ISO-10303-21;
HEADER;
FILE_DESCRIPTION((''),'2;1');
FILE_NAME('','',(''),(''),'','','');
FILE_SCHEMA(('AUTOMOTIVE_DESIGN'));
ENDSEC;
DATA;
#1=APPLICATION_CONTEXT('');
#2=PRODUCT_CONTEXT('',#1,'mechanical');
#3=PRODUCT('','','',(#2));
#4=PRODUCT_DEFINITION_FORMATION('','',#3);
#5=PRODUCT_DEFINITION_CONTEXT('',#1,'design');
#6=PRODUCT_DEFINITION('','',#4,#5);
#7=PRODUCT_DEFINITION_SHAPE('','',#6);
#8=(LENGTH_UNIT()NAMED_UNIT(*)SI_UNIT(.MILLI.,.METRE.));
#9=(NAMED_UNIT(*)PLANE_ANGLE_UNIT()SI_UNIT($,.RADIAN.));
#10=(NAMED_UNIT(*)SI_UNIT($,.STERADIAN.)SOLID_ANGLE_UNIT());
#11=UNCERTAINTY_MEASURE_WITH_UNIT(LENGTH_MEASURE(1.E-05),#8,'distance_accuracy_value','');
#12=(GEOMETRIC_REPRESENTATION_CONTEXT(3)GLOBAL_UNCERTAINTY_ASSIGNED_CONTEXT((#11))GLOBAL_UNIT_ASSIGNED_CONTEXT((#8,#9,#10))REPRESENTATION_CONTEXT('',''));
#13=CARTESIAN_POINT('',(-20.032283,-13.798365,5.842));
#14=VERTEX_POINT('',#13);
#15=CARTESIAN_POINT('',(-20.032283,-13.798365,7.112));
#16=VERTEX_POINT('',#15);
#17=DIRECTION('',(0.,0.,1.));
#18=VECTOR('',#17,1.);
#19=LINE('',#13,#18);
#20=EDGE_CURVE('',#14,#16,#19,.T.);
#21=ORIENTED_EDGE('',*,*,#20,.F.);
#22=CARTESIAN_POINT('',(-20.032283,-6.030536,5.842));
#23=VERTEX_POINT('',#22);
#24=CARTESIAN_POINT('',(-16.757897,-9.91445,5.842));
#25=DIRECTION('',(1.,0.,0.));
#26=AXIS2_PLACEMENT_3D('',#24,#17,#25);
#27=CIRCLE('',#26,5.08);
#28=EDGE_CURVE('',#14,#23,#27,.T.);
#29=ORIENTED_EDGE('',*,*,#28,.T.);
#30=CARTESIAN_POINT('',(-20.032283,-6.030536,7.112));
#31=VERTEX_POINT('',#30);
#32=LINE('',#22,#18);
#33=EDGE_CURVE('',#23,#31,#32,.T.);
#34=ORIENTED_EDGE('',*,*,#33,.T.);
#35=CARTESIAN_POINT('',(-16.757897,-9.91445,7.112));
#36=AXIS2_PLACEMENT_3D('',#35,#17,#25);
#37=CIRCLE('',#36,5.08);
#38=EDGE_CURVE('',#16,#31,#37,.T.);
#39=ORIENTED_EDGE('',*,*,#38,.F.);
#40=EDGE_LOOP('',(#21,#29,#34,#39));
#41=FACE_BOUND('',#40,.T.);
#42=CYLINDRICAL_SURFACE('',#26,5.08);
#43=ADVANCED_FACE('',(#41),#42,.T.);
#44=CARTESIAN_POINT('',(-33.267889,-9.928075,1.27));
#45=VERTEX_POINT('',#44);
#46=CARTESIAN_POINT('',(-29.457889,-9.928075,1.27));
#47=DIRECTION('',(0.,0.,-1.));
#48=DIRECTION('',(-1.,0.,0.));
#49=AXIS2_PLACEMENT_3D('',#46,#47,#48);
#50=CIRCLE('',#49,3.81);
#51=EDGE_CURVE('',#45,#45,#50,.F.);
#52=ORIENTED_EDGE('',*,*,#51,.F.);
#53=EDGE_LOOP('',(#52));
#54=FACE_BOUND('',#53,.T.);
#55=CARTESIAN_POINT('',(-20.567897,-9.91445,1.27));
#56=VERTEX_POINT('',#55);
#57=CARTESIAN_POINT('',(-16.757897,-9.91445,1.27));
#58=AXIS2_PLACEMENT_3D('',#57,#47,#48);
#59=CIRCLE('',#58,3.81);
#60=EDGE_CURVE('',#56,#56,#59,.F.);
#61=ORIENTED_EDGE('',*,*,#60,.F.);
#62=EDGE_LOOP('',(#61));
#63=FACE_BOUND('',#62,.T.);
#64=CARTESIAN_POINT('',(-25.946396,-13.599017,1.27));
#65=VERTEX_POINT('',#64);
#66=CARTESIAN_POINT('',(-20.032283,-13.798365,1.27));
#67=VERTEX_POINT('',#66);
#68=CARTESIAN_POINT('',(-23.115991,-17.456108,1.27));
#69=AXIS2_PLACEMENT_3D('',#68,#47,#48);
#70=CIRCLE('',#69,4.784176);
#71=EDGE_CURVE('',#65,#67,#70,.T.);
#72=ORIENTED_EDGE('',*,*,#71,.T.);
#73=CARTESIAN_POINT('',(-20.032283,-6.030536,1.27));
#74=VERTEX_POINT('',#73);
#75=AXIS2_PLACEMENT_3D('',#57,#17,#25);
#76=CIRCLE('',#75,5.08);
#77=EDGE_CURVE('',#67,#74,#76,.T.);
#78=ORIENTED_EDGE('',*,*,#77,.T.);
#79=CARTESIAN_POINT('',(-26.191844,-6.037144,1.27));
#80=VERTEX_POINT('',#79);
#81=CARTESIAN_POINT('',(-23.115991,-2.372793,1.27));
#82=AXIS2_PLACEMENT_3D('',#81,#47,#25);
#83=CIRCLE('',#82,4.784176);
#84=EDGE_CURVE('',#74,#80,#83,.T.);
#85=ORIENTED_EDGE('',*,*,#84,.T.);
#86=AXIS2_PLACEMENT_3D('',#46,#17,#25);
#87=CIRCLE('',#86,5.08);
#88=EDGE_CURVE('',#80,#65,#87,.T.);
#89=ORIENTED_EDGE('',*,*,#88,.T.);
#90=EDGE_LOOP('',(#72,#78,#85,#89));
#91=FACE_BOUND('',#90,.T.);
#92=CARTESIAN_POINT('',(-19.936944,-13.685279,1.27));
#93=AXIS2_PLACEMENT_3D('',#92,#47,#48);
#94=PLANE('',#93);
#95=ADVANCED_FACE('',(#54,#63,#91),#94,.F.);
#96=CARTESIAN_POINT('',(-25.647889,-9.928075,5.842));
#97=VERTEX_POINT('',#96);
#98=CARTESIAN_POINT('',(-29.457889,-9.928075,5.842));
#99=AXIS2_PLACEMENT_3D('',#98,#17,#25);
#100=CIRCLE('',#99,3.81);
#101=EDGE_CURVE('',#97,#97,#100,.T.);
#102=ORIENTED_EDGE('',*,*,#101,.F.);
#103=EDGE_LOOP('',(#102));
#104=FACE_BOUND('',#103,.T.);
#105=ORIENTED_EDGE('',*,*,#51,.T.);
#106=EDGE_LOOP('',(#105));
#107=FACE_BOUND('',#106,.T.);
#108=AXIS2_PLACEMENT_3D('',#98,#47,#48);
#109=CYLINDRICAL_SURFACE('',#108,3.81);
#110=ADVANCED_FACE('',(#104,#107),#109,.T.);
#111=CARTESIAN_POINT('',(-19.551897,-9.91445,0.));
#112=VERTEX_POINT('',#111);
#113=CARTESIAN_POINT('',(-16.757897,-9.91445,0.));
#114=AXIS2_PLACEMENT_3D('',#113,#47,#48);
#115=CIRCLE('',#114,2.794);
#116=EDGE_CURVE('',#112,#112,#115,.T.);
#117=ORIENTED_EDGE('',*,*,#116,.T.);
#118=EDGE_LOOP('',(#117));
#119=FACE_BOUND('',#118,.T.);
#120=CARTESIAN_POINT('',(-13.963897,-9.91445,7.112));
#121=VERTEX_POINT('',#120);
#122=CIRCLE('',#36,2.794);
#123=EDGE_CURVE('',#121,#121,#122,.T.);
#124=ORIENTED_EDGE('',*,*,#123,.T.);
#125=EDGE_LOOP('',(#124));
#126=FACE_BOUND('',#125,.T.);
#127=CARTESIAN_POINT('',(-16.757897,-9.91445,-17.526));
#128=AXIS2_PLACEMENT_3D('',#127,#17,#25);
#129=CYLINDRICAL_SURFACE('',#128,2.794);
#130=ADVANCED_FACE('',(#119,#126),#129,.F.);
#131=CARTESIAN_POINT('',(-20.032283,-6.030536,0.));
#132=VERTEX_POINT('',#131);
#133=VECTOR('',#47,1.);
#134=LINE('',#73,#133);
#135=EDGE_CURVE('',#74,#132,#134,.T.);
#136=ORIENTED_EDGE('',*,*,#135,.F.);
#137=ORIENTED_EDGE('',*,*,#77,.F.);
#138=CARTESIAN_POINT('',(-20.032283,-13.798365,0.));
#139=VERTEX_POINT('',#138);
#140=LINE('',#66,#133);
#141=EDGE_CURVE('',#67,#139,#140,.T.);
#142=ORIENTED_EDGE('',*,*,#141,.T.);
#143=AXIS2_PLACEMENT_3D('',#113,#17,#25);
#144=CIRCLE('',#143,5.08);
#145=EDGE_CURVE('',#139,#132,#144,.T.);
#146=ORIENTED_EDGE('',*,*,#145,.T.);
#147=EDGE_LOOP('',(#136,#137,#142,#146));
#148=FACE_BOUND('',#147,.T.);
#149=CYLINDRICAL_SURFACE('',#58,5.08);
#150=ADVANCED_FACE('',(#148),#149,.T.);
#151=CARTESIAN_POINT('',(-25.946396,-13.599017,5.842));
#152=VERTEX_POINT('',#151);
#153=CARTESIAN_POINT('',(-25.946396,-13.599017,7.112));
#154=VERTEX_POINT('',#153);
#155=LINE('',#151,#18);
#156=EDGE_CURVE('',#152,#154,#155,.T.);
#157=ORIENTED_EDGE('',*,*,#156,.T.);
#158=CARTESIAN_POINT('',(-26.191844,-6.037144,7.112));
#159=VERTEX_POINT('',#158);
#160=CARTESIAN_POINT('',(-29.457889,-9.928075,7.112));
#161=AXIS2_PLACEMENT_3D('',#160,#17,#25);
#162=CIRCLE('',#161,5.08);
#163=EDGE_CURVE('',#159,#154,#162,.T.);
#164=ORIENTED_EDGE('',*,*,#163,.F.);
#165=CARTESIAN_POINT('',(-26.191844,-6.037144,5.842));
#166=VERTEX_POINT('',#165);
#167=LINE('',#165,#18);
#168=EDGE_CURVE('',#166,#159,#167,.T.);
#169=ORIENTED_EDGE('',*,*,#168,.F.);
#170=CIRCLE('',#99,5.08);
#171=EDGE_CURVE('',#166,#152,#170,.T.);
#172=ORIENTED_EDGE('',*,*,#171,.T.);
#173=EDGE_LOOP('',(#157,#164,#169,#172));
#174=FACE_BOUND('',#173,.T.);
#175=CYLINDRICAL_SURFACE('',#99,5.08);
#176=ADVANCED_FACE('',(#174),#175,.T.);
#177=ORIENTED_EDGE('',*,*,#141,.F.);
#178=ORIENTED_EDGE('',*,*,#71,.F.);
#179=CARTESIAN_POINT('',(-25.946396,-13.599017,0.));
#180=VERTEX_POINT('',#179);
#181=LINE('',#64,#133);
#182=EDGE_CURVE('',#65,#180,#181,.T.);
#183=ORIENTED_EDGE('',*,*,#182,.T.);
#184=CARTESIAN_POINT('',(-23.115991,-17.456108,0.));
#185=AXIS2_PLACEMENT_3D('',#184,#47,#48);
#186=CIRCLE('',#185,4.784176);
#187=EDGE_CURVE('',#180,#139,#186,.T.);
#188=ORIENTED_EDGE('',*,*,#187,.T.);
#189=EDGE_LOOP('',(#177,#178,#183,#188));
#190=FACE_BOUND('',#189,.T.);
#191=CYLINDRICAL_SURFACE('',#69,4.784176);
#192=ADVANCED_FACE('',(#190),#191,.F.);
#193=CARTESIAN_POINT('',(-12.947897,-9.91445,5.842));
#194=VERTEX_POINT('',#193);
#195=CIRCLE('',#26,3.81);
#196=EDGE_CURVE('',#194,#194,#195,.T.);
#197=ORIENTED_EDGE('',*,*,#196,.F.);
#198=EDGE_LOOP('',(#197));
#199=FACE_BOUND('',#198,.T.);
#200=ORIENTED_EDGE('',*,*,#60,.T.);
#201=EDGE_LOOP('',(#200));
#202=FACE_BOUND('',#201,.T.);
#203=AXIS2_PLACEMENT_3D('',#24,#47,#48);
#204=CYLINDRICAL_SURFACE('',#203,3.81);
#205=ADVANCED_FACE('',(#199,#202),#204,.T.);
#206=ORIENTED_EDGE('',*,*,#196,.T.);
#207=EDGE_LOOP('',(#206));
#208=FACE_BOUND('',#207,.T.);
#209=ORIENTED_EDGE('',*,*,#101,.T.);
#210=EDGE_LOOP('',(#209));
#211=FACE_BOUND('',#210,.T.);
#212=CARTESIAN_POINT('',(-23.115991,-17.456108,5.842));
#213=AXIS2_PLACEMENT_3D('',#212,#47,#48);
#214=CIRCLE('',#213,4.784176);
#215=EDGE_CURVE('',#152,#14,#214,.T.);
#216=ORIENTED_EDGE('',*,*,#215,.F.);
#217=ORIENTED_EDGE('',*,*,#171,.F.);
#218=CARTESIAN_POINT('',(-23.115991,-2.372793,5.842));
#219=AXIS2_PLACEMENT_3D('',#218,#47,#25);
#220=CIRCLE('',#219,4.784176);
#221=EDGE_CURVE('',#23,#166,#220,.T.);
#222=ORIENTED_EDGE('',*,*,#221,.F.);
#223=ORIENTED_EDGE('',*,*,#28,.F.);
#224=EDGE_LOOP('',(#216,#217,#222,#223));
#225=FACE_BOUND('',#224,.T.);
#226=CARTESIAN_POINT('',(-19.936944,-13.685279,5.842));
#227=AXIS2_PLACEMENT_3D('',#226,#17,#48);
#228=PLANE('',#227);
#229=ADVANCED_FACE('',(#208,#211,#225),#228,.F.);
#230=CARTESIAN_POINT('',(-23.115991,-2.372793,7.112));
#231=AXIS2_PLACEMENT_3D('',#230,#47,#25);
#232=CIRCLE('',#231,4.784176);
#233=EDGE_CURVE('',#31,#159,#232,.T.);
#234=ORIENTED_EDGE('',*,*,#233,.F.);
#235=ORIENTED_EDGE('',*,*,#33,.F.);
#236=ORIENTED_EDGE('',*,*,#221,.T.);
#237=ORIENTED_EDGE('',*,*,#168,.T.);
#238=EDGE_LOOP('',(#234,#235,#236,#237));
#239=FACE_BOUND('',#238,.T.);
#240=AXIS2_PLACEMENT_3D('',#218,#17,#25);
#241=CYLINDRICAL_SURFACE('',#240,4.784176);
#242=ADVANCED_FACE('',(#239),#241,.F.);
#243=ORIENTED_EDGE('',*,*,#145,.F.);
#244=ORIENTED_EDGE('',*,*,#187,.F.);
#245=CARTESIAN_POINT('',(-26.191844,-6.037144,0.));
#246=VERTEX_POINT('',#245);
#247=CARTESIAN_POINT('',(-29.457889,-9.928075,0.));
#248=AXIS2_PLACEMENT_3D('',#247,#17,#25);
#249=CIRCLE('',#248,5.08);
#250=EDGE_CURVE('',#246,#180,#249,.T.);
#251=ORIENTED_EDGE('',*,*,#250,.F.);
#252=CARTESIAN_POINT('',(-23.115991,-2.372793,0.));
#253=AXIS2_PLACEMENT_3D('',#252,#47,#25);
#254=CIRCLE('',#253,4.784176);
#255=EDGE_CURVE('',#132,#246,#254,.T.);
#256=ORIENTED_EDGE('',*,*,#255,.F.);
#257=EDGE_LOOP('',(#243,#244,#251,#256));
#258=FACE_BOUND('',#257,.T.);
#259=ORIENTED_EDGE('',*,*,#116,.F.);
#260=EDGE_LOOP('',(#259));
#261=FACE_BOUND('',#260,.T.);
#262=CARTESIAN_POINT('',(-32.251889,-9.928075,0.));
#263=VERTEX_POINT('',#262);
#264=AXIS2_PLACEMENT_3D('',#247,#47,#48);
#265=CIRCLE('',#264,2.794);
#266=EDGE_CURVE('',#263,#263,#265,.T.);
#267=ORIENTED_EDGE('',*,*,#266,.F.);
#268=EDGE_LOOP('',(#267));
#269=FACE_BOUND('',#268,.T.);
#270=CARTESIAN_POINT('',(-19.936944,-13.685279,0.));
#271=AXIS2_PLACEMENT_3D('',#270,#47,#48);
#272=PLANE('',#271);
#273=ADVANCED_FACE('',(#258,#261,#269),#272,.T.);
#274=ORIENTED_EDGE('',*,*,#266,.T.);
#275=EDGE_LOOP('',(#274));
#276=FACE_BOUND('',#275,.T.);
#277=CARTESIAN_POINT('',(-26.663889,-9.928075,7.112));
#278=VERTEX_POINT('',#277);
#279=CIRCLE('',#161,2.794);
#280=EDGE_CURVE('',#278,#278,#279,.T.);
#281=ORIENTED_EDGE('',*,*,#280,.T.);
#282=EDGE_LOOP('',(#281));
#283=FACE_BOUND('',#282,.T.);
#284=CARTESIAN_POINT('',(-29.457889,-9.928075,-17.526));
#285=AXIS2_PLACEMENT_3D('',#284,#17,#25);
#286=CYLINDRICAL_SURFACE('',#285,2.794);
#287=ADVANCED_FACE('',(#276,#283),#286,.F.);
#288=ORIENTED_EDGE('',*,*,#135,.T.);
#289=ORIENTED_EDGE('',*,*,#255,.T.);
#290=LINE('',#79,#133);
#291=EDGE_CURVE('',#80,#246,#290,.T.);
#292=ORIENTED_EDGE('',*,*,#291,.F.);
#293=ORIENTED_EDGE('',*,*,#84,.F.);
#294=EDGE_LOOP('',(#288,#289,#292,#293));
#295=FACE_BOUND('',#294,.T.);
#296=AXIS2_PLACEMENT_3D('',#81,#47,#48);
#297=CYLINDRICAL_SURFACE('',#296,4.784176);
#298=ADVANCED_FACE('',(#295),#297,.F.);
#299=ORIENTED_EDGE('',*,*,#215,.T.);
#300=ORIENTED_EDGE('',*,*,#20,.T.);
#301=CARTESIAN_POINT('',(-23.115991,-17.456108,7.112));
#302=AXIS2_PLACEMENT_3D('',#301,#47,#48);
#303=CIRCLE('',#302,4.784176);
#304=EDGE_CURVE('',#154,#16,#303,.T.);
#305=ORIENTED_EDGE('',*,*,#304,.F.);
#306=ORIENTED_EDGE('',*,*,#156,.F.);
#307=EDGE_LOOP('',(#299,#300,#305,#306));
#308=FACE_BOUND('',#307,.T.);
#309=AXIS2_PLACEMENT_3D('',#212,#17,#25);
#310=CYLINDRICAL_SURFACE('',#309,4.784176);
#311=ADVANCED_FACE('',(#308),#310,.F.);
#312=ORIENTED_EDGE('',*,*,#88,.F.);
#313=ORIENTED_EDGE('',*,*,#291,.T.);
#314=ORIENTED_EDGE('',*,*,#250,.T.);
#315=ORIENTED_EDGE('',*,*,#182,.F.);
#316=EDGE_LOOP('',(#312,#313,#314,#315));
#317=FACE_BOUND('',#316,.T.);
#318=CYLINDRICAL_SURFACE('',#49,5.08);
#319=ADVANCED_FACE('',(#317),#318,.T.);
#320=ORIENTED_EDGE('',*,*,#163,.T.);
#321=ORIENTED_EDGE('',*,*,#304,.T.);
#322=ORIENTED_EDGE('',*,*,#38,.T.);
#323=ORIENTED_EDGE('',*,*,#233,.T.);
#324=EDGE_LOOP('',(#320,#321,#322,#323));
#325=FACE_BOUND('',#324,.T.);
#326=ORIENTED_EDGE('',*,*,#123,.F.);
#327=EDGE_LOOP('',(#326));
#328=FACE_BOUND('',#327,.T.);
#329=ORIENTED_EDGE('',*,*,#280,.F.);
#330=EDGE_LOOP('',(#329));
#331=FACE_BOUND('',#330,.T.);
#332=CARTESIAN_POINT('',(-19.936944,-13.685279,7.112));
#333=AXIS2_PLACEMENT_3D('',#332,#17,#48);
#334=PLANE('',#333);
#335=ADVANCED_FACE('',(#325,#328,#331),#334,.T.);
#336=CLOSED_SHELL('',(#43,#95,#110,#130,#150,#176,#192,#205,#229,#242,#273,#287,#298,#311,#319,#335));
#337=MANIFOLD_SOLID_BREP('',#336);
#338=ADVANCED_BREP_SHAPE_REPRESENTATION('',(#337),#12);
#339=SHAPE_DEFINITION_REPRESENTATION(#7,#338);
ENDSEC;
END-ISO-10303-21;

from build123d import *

# Parameters (mm, degrees)
BOSS_EXTRUDE1_DEPTH = 1.27
SKETCH2_R           = 3.81
BOSS_EXTRUDE2_DEPTH = 4.572
SKETCH5_R           = 2.794
CUT_EXTRUDE1_DEPTH  = 24.638


with BuildPart() as part:
    # Sketch1 → Boss-Extrude1 (new body)
    with BuildSketch(Plane.XY):
        with BuildLine():
            ThreePointArc((-26.191844276, -6.037143701), (-34.535215397, -10.092878556), (-25.946396087, -13.599017422))
            ThreePointArc((-25.946396087, -13.599017422), (-22.954821865, -12.674647532), (-20.032282841, -13.798365326))
            ThreePointArc((-20.032282841, -13.798365326), (-11.677896645, -9.914450414), (-20.032282841, -6.030535502))
            ThreePointArc((-20.032282841, -6.030535502), (-23.110858628, -7.156966052), (-26.191844276, -6.037143701))
        make_face()
    boss_extrude1 = extrude(amount=BOSS_EXTRUDE1_DEPTH)

    # Sketch2 → Boss-Extrude2 (add)
    with BuildSketch(Plane.XY.offset(1.27)):
        with Locations((-16.757896645, -9.914450414)):
            Circle(SKETCH2_R)
        with Locations((-29.457889337, -9.928075423)):
            Circle(SKETCH2_R)
    extrude(amount=BOSS_EXTRUDE2_DEPTH)

    # Mirror1: Boss-Extrude1 across plane
    add(boss_extrude1.mirror(Plane.XY.offset(3.556)))

    # Sketch5 → Cut-Extrude1 (cut)
    with BuildSketch(Plane.XY.offset(7.112)):
        with Locations((-29.457889337, -9.928075423)):
            Circle(SKETCH5_R)
        with Locations((-16.757896645, -9.914450414)):
            Circle(SKETCH5_R)
    extrude(amount=-CUT_EXTRUDE1_DEPTH, mode=Mode.SUBTRACT)


solid = part.part
